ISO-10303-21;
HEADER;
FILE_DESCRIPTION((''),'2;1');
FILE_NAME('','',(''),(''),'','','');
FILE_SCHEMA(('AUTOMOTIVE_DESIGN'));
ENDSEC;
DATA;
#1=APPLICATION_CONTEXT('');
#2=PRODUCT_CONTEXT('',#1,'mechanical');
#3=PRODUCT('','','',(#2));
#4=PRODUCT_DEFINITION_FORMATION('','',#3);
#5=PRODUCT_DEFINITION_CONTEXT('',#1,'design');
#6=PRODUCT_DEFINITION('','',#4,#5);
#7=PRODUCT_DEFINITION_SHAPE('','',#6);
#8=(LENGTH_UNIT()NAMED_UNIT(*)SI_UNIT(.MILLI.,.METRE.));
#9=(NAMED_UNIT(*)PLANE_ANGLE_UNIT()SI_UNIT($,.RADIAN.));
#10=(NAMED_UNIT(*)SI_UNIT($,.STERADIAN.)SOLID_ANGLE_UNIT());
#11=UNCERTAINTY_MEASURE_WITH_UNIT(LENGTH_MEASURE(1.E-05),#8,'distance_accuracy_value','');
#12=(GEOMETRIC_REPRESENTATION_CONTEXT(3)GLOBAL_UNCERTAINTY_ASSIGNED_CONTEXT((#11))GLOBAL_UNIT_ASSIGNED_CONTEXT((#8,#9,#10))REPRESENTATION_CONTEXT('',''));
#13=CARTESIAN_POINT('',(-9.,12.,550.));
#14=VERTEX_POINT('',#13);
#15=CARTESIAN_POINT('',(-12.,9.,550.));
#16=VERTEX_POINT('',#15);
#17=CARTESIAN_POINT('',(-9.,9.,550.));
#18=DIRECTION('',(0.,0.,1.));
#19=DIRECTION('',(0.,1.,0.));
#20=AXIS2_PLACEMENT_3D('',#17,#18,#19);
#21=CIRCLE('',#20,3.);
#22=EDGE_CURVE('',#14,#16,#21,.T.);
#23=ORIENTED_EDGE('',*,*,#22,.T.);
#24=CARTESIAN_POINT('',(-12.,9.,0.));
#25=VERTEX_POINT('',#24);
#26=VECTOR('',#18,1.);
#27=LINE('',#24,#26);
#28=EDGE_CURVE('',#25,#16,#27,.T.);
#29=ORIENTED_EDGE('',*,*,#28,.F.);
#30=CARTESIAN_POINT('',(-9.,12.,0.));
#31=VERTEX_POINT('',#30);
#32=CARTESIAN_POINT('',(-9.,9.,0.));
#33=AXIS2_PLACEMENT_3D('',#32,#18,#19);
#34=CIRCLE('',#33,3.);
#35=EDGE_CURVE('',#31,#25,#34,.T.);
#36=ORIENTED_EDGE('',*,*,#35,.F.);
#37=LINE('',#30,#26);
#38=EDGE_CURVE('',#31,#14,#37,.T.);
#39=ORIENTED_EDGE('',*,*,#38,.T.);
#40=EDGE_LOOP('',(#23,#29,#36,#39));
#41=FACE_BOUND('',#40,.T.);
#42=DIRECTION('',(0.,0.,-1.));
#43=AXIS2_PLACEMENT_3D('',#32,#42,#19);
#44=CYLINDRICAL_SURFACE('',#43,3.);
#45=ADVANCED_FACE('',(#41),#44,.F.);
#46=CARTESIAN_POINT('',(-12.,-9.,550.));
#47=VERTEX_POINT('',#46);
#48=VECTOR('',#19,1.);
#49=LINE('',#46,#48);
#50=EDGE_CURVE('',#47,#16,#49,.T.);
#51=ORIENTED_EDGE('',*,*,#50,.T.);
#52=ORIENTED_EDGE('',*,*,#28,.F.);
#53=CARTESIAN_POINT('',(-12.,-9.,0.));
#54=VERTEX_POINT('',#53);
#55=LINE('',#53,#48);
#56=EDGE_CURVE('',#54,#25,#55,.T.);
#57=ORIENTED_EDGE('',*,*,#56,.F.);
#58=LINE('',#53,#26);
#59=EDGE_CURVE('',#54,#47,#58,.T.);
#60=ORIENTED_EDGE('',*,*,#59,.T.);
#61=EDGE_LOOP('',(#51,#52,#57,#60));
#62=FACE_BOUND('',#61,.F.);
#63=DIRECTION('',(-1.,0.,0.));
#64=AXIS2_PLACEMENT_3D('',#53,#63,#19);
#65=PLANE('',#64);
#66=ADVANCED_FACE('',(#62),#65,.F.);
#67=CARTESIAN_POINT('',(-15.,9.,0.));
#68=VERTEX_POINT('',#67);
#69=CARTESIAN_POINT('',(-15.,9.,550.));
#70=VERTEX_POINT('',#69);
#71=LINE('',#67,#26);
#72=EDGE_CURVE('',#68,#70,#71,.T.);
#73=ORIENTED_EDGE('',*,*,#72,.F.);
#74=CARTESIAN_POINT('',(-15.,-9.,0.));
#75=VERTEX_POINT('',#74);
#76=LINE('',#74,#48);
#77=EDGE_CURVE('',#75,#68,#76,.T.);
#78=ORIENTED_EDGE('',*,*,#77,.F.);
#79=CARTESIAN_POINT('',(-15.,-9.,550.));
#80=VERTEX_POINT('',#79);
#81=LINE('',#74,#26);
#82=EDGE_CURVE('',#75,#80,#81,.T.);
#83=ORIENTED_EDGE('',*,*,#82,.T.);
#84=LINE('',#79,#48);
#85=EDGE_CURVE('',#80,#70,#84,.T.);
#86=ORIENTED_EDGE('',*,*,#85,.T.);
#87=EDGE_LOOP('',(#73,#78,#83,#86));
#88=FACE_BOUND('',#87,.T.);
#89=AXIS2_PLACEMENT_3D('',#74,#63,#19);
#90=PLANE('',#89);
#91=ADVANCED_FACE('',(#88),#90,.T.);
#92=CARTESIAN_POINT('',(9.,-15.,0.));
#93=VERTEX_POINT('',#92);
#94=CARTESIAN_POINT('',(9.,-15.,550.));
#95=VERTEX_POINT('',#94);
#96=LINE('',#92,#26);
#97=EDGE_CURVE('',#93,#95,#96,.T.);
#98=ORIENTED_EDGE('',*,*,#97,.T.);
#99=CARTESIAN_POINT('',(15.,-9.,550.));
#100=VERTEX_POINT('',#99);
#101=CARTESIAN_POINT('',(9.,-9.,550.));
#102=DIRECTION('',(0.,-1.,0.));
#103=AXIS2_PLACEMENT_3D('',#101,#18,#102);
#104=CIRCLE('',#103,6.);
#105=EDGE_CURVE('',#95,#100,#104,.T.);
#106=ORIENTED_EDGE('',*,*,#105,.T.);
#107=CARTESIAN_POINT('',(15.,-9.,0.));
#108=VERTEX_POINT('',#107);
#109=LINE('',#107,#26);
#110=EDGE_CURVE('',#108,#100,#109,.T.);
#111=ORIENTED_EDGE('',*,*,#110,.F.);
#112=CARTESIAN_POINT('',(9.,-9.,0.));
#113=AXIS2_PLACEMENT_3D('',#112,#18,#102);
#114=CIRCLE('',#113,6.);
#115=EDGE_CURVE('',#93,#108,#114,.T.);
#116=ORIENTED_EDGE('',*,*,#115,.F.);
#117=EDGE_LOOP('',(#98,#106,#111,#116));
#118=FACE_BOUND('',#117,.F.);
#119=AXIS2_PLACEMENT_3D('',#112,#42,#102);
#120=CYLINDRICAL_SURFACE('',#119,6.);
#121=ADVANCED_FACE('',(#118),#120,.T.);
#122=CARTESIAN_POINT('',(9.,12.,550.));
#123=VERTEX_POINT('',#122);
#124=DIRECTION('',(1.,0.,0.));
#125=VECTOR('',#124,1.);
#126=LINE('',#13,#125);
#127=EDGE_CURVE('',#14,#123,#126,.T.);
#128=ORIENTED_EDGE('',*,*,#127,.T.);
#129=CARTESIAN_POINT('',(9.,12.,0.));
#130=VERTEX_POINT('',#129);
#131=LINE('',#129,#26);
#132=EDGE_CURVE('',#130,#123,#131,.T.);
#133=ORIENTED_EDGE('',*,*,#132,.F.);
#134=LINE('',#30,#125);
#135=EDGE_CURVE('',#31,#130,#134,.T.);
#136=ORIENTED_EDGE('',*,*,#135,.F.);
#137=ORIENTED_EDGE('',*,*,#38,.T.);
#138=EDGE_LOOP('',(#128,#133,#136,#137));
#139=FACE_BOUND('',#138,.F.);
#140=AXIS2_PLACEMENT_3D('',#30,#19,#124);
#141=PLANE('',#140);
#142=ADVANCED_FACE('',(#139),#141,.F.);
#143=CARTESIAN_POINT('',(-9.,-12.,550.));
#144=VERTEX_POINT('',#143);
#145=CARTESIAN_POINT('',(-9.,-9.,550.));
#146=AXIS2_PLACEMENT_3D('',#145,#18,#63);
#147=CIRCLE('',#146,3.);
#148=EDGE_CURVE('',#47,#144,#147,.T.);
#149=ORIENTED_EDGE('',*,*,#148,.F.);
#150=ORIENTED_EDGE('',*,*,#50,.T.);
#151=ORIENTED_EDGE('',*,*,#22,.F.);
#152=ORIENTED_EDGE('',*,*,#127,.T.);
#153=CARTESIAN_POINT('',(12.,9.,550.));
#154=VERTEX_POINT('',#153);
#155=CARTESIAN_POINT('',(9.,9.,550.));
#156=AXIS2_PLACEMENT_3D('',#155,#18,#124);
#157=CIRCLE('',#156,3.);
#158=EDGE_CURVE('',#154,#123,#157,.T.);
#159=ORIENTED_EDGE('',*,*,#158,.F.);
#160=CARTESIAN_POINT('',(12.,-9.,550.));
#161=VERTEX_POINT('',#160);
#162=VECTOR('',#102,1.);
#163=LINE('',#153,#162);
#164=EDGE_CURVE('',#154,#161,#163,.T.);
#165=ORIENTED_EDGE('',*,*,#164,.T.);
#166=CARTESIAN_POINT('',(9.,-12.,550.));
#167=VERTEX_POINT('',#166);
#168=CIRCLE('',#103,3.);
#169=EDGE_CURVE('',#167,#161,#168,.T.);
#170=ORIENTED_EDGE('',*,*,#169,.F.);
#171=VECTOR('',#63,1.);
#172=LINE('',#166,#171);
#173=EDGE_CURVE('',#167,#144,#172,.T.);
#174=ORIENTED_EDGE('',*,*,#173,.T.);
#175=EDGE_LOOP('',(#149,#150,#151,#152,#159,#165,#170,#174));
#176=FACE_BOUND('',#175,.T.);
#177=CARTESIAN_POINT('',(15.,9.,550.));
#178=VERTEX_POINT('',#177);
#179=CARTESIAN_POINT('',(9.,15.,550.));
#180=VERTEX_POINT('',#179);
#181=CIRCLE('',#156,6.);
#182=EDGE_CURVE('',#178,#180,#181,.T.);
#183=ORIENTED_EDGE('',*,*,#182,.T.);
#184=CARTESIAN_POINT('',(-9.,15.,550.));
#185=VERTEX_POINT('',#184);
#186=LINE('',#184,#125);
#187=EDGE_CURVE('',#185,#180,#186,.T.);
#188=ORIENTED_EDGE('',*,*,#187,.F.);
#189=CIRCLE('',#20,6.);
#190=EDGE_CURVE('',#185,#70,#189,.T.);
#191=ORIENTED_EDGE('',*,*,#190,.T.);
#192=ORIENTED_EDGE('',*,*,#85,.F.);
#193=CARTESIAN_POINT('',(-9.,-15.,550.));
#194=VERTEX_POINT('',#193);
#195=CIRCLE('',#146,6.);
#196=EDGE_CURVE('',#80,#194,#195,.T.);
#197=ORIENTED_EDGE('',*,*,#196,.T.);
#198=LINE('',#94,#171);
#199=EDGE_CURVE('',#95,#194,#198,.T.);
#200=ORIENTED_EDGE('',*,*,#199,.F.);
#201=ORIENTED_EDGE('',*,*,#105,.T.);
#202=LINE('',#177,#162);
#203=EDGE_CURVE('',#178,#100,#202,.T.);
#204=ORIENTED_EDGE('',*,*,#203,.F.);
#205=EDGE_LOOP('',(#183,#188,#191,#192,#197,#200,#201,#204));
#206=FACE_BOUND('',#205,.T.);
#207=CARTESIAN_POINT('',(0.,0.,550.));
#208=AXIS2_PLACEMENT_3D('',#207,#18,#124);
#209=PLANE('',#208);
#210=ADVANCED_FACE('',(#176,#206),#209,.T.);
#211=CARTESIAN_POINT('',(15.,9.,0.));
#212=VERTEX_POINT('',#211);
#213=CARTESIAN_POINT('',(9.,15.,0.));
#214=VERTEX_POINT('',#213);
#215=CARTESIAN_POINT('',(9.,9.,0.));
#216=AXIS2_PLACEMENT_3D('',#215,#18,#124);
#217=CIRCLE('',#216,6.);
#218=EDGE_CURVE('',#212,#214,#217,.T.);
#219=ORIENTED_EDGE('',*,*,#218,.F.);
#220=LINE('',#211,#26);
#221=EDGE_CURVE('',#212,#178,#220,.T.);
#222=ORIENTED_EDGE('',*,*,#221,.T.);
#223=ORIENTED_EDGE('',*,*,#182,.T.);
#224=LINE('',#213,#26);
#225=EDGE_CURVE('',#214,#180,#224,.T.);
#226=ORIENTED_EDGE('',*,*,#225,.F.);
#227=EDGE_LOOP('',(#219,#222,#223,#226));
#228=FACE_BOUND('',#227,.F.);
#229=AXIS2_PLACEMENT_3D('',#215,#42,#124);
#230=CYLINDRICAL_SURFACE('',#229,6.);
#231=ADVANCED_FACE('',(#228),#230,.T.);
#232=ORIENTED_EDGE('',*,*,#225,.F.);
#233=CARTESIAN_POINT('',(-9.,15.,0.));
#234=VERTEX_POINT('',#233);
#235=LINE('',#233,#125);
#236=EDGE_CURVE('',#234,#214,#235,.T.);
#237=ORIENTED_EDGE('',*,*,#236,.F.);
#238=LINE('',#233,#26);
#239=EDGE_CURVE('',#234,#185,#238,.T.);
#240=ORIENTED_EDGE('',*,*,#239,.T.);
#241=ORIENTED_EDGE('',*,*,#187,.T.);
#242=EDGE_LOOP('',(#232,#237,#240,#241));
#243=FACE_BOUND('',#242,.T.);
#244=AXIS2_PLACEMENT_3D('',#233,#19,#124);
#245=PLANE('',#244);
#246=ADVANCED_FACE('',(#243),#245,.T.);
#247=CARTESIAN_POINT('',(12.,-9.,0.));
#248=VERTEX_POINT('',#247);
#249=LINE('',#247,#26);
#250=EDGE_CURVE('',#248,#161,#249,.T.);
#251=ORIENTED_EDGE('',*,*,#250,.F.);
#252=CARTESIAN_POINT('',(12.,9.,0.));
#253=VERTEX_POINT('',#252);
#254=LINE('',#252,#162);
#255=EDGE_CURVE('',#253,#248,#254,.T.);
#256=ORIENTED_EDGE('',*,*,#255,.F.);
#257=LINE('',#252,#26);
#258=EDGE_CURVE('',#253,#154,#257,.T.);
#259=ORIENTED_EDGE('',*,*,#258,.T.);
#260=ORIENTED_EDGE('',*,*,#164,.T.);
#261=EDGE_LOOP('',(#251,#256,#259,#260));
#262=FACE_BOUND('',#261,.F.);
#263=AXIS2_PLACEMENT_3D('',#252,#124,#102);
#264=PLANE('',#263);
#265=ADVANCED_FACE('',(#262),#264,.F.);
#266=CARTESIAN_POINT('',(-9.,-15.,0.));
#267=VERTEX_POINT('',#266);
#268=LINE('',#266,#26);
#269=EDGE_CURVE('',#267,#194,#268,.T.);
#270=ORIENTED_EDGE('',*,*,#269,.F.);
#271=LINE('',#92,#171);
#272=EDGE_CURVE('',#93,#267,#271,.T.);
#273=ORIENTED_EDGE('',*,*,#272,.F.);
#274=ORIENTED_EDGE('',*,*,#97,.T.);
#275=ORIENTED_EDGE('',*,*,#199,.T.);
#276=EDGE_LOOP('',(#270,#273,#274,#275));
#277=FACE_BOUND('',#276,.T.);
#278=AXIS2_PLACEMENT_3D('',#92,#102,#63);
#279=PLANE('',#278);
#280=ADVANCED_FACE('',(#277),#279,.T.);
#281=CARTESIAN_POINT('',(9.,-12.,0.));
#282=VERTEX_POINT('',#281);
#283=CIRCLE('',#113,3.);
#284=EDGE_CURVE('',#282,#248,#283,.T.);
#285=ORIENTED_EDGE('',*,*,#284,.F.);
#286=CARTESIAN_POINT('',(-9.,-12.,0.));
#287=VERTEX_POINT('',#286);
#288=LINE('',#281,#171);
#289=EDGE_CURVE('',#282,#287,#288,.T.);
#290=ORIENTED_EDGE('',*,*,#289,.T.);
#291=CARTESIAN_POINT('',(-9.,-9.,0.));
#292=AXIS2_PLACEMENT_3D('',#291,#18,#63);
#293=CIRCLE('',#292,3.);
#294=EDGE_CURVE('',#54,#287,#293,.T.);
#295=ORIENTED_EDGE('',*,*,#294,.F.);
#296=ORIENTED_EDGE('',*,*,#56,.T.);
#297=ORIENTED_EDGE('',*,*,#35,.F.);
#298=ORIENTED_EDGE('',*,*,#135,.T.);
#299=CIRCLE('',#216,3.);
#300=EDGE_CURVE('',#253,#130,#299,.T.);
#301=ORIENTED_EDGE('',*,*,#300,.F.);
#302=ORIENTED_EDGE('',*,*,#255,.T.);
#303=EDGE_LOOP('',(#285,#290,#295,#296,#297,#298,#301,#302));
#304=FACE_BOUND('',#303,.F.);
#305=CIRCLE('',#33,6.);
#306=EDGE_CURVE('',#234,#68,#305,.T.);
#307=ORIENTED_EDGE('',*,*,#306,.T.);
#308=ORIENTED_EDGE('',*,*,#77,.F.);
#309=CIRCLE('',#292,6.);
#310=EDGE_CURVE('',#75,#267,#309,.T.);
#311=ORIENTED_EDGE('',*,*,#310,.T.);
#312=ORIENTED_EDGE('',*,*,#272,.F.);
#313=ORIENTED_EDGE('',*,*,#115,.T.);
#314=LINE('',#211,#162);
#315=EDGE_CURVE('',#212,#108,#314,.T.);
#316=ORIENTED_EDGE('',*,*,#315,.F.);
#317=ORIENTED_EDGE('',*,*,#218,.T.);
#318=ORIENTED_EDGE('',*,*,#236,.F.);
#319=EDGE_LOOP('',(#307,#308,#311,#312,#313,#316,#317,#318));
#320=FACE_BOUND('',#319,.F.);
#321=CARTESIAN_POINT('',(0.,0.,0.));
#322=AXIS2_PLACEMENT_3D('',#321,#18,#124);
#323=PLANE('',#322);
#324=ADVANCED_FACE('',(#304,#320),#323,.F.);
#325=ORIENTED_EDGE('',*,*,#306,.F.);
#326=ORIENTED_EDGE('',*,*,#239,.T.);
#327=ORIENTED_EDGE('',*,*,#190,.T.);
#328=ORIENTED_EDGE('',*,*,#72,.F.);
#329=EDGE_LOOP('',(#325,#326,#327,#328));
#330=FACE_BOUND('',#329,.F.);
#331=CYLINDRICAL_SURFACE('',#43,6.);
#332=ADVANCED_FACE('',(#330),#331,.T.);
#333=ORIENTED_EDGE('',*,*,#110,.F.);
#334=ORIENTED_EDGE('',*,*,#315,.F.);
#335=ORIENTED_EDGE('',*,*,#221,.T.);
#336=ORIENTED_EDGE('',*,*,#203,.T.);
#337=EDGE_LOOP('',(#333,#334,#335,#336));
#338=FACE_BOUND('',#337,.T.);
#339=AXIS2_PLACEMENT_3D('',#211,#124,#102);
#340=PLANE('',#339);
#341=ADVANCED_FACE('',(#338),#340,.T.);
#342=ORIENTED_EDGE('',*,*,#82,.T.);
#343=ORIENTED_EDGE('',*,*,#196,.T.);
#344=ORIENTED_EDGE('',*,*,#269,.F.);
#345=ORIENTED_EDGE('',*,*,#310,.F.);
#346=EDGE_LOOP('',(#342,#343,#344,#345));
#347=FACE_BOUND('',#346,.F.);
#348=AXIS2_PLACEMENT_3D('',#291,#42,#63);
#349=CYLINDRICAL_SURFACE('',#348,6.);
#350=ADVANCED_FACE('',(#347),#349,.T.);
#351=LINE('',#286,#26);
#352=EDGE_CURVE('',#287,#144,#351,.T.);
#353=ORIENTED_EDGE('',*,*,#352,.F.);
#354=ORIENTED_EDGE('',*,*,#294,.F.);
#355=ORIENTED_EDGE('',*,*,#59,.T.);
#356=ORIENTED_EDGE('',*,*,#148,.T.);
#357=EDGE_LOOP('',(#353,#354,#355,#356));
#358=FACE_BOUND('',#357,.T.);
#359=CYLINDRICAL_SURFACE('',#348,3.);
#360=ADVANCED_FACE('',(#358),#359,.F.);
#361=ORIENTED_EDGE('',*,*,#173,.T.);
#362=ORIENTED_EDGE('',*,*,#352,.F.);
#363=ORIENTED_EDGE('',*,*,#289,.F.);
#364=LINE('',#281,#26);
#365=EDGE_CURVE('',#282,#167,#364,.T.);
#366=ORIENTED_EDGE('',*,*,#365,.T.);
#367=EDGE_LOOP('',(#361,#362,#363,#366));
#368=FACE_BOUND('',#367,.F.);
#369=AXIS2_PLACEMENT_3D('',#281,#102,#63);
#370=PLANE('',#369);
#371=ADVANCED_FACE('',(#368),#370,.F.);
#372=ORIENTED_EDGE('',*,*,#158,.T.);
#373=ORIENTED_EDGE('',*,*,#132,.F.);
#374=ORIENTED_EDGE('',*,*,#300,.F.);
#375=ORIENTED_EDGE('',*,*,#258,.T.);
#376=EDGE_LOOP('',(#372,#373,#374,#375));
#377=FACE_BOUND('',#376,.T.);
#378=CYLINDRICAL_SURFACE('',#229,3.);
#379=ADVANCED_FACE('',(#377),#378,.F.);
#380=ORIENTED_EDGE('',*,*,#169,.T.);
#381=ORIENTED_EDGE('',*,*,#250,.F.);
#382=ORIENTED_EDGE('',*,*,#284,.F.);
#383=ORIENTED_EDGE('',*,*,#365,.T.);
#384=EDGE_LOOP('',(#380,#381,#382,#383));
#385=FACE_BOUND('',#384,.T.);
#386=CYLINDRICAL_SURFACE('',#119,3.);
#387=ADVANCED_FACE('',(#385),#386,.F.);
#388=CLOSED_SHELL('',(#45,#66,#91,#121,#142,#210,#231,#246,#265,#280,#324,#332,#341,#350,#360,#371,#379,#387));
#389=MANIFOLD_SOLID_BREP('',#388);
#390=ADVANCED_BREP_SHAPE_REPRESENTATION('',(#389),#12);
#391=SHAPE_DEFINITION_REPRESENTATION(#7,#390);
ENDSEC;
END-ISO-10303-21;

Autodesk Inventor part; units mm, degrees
ref_plane "YZ Plane" through (0, 0, 0) normal (1, 0, 0) x (0, 1, 0)
ref_plane "Plano inicial" through (0, 0, 0) normal (0, 0, 1) x (1, 0, 0)
ref_plane "Plano final" through (0, 0, 550) normal (0, 0, 1) x (1, 0, 0)
sketch "Esboço" plane through (0, 0, 0) normal (0, 0, 1) x (1, 0, 0)
  line L0 (-15, -9) -> (-15, 9)
  line L1 (-9, 15) -> (9, 15)
  line L2 (15, 9) -> (15, -9)
  line L3 (9, -15) -> (-9, -15)
  arc A0 (-15, -9) -> (-9, -15) centre (-9, -9) ccw
  arc A1 (15, 9) -> (9, 15) centre (9, 9) ccw
  arc A2 (-9, 15) -> (-15, 9) centre (-9, 9) ccw
  arc A3 (9, -15) -> (15, -9) centre (9, -9) ccw
  arc A4 (-9, 12) -> (-12, 9) centre (-9, 9) ccw
  line L4 (-9, 12) -> (9, 12)
  arc A5 (12, 9) -> (9, 12) centre (9, 9) ccw
  line L5 (12, 9) -> (12, -9)
  arc A6 (9, -12) -> (12, -9) centre (9, -9) ccw
  line L6 (9, -12) -> (-9, -12)
  arc A7 (-12, -9) -> (-9, -12) centre (-9, -9) ccw
  line L7 (-12, -9) -> (-12, 9)
  line L8 (0, 22.7397) -> (0, -22.7397) construction
  line L9 (-22.7397, 0) -> (22.7397, 0) construction
  dimension "d7" = 6
  dimension "d9" = 30
  dimension "d11" = 30
  dimension "d12" = 3
  dimension "d15" = 15
  dimension "d16" = 15
extrude "Corpo" add sketch "Esboço" along normal up to surface (550 mm away) from surface at 0
sketch "Sketch3" plane through (0, 0, 0) normal (0, 0, 1) x (1, 0, 0)
  line L0 (0, 0) -> (10, 0)
ref_plane "Work Plane3" through (0, 0, 0) normal (0, -1, 0) x (1, 0, 0)
sketch "Sketch4" plane through (0, 0, 0) normal (0, -1, 0) x (1, 0, 0)
  line L0 (-2, 0) -> (12, 0)
  line L1 (-2, 550) -> (12, 550)
  dimension "d18" = 550
equation "\"d7\" = G_IR"
equation "\"d9\" = G_W"
equation "\"d11\" = G_H"
equation "\"d12\" = G_T"
equation "\"d15\" = 0.5 * d9"
equation "\"d16\" = 0.5 * d11"
equation "\"d3\" = G_L"
equation "\"G_W\" = 30"
equation "\"G_H\" = 30"
equation "\"G_T\" = 3"
equation "\"G_IR\" = 6"
equation "\"G_L\" = d18"
equation "\"G_OFFSET_START\" = 0"
equation "\"G_OFFSET_END\" = 0"
properties part number "ISO 10799-2 - 30x30x3 - 550" material "Aço, suave"
